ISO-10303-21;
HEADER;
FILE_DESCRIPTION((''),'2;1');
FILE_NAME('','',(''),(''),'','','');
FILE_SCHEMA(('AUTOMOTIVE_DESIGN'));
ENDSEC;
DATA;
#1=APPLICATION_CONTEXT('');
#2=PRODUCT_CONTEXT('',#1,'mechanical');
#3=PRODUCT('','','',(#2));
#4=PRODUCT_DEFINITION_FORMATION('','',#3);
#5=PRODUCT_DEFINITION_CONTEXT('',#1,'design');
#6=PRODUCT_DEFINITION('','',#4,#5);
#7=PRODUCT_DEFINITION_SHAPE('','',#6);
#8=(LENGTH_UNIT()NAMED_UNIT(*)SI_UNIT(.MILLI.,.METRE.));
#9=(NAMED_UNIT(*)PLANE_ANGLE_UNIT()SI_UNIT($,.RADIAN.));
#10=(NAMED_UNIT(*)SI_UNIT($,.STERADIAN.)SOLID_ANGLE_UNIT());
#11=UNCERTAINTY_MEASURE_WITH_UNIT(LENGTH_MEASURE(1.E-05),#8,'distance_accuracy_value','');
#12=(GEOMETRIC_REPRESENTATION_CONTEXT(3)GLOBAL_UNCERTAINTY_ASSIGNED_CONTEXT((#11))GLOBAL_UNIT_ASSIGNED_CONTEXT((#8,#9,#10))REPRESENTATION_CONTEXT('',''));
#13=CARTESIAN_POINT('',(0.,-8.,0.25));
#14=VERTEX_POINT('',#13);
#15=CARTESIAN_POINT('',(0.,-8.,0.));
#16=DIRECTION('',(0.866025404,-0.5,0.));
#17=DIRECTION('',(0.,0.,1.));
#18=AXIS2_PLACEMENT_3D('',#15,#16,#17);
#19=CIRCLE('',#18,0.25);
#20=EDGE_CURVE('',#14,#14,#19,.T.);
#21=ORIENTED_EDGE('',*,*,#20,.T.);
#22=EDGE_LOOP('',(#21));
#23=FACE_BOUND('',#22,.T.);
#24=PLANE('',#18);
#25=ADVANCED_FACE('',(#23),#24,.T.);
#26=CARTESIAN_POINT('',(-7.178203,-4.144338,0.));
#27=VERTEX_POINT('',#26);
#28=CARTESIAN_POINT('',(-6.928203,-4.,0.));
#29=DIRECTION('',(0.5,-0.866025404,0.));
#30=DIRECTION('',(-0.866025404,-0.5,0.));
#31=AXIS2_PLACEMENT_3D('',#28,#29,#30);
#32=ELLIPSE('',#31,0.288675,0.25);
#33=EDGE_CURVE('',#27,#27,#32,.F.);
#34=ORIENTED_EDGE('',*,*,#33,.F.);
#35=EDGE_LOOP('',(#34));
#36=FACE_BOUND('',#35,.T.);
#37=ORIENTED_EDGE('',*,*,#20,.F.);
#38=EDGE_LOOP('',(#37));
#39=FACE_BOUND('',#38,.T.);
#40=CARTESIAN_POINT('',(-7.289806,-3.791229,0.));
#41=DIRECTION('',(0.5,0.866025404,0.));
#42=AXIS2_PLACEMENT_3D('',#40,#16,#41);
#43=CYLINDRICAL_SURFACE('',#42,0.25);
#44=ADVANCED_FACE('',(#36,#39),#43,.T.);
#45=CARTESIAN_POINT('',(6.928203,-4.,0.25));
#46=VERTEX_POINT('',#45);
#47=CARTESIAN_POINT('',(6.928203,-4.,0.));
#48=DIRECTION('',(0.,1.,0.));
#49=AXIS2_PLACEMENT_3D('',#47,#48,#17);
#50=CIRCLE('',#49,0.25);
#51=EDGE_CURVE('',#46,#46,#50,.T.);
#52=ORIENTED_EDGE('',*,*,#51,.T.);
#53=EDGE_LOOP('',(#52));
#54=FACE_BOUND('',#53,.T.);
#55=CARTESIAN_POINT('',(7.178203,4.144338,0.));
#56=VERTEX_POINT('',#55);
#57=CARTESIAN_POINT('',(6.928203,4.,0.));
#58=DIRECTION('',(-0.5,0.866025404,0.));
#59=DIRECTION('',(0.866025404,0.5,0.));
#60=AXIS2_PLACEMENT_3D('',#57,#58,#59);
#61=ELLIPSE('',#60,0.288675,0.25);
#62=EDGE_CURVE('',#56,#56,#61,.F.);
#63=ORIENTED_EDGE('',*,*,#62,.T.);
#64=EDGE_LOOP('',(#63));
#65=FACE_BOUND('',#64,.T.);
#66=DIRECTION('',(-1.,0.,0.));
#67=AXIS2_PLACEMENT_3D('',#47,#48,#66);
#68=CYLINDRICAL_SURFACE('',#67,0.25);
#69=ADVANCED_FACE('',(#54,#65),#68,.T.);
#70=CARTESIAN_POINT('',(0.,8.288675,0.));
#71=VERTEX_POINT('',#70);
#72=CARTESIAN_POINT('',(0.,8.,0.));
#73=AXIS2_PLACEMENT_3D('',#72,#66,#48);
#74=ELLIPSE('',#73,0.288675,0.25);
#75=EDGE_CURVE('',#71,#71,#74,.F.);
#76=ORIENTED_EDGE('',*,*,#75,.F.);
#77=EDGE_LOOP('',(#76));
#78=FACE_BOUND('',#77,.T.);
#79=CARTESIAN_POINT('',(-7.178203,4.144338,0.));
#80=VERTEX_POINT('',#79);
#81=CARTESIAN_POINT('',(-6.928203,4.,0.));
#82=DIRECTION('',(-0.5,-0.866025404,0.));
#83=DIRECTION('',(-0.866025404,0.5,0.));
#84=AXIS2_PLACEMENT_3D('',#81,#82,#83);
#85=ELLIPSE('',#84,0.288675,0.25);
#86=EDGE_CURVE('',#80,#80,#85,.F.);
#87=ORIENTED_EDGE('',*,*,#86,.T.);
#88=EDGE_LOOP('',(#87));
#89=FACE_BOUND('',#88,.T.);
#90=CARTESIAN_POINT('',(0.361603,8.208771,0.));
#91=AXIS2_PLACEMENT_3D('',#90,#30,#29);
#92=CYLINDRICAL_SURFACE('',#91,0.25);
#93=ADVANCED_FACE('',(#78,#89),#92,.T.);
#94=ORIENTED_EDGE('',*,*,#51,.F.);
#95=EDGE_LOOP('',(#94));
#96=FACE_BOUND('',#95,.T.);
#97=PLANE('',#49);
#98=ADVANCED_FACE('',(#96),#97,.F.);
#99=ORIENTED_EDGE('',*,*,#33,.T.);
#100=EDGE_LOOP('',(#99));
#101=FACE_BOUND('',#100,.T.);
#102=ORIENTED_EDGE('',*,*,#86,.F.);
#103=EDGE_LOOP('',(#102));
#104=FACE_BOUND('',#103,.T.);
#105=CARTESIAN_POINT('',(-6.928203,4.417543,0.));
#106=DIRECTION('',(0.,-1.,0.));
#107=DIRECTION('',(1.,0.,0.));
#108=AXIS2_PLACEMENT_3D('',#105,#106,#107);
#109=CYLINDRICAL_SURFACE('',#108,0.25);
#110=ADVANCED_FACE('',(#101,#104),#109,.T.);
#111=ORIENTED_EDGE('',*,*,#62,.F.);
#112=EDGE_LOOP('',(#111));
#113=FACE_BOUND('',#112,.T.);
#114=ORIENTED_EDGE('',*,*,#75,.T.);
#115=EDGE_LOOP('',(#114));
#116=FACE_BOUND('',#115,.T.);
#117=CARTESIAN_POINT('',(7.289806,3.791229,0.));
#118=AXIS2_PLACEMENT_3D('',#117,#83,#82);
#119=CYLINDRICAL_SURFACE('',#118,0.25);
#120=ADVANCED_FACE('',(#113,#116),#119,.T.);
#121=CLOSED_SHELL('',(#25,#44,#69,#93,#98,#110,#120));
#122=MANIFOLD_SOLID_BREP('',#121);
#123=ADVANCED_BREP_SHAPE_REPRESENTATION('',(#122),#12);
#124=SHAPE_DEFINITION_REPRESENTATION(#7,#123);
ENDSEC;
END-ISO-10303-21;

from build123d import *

# Parameters (mm, degrees)
SKETCH2_R = 0.25


with BuildPart() as part:
    # Sweep1: sweep along a path in Sketch1
    with BuildLine(Plane.XY) as sweep1_path:
        Line((0, -8), (-6.92820323, -4))
        Line((-6.92820323, -4), (-6.92820323, 4))
        Line((-6.92820323, 4), (0, 8))
        Line((0, 8), (6.92820323, 4))
        Line((6.92820323, 4), (6.92820323, -4))
    # Sketch2 → Sweep1 (sweep)
    with BuildSketch(Plane(origin=(6.92820323, -4, 0), x_dir=(1, 0, 0), z_dir=(0, 1, 0))):
        Circle(SKETCH2_R)
    sweep(path=sweep1_path.line, transition=Transition.RIGHT)


solid = part.part
